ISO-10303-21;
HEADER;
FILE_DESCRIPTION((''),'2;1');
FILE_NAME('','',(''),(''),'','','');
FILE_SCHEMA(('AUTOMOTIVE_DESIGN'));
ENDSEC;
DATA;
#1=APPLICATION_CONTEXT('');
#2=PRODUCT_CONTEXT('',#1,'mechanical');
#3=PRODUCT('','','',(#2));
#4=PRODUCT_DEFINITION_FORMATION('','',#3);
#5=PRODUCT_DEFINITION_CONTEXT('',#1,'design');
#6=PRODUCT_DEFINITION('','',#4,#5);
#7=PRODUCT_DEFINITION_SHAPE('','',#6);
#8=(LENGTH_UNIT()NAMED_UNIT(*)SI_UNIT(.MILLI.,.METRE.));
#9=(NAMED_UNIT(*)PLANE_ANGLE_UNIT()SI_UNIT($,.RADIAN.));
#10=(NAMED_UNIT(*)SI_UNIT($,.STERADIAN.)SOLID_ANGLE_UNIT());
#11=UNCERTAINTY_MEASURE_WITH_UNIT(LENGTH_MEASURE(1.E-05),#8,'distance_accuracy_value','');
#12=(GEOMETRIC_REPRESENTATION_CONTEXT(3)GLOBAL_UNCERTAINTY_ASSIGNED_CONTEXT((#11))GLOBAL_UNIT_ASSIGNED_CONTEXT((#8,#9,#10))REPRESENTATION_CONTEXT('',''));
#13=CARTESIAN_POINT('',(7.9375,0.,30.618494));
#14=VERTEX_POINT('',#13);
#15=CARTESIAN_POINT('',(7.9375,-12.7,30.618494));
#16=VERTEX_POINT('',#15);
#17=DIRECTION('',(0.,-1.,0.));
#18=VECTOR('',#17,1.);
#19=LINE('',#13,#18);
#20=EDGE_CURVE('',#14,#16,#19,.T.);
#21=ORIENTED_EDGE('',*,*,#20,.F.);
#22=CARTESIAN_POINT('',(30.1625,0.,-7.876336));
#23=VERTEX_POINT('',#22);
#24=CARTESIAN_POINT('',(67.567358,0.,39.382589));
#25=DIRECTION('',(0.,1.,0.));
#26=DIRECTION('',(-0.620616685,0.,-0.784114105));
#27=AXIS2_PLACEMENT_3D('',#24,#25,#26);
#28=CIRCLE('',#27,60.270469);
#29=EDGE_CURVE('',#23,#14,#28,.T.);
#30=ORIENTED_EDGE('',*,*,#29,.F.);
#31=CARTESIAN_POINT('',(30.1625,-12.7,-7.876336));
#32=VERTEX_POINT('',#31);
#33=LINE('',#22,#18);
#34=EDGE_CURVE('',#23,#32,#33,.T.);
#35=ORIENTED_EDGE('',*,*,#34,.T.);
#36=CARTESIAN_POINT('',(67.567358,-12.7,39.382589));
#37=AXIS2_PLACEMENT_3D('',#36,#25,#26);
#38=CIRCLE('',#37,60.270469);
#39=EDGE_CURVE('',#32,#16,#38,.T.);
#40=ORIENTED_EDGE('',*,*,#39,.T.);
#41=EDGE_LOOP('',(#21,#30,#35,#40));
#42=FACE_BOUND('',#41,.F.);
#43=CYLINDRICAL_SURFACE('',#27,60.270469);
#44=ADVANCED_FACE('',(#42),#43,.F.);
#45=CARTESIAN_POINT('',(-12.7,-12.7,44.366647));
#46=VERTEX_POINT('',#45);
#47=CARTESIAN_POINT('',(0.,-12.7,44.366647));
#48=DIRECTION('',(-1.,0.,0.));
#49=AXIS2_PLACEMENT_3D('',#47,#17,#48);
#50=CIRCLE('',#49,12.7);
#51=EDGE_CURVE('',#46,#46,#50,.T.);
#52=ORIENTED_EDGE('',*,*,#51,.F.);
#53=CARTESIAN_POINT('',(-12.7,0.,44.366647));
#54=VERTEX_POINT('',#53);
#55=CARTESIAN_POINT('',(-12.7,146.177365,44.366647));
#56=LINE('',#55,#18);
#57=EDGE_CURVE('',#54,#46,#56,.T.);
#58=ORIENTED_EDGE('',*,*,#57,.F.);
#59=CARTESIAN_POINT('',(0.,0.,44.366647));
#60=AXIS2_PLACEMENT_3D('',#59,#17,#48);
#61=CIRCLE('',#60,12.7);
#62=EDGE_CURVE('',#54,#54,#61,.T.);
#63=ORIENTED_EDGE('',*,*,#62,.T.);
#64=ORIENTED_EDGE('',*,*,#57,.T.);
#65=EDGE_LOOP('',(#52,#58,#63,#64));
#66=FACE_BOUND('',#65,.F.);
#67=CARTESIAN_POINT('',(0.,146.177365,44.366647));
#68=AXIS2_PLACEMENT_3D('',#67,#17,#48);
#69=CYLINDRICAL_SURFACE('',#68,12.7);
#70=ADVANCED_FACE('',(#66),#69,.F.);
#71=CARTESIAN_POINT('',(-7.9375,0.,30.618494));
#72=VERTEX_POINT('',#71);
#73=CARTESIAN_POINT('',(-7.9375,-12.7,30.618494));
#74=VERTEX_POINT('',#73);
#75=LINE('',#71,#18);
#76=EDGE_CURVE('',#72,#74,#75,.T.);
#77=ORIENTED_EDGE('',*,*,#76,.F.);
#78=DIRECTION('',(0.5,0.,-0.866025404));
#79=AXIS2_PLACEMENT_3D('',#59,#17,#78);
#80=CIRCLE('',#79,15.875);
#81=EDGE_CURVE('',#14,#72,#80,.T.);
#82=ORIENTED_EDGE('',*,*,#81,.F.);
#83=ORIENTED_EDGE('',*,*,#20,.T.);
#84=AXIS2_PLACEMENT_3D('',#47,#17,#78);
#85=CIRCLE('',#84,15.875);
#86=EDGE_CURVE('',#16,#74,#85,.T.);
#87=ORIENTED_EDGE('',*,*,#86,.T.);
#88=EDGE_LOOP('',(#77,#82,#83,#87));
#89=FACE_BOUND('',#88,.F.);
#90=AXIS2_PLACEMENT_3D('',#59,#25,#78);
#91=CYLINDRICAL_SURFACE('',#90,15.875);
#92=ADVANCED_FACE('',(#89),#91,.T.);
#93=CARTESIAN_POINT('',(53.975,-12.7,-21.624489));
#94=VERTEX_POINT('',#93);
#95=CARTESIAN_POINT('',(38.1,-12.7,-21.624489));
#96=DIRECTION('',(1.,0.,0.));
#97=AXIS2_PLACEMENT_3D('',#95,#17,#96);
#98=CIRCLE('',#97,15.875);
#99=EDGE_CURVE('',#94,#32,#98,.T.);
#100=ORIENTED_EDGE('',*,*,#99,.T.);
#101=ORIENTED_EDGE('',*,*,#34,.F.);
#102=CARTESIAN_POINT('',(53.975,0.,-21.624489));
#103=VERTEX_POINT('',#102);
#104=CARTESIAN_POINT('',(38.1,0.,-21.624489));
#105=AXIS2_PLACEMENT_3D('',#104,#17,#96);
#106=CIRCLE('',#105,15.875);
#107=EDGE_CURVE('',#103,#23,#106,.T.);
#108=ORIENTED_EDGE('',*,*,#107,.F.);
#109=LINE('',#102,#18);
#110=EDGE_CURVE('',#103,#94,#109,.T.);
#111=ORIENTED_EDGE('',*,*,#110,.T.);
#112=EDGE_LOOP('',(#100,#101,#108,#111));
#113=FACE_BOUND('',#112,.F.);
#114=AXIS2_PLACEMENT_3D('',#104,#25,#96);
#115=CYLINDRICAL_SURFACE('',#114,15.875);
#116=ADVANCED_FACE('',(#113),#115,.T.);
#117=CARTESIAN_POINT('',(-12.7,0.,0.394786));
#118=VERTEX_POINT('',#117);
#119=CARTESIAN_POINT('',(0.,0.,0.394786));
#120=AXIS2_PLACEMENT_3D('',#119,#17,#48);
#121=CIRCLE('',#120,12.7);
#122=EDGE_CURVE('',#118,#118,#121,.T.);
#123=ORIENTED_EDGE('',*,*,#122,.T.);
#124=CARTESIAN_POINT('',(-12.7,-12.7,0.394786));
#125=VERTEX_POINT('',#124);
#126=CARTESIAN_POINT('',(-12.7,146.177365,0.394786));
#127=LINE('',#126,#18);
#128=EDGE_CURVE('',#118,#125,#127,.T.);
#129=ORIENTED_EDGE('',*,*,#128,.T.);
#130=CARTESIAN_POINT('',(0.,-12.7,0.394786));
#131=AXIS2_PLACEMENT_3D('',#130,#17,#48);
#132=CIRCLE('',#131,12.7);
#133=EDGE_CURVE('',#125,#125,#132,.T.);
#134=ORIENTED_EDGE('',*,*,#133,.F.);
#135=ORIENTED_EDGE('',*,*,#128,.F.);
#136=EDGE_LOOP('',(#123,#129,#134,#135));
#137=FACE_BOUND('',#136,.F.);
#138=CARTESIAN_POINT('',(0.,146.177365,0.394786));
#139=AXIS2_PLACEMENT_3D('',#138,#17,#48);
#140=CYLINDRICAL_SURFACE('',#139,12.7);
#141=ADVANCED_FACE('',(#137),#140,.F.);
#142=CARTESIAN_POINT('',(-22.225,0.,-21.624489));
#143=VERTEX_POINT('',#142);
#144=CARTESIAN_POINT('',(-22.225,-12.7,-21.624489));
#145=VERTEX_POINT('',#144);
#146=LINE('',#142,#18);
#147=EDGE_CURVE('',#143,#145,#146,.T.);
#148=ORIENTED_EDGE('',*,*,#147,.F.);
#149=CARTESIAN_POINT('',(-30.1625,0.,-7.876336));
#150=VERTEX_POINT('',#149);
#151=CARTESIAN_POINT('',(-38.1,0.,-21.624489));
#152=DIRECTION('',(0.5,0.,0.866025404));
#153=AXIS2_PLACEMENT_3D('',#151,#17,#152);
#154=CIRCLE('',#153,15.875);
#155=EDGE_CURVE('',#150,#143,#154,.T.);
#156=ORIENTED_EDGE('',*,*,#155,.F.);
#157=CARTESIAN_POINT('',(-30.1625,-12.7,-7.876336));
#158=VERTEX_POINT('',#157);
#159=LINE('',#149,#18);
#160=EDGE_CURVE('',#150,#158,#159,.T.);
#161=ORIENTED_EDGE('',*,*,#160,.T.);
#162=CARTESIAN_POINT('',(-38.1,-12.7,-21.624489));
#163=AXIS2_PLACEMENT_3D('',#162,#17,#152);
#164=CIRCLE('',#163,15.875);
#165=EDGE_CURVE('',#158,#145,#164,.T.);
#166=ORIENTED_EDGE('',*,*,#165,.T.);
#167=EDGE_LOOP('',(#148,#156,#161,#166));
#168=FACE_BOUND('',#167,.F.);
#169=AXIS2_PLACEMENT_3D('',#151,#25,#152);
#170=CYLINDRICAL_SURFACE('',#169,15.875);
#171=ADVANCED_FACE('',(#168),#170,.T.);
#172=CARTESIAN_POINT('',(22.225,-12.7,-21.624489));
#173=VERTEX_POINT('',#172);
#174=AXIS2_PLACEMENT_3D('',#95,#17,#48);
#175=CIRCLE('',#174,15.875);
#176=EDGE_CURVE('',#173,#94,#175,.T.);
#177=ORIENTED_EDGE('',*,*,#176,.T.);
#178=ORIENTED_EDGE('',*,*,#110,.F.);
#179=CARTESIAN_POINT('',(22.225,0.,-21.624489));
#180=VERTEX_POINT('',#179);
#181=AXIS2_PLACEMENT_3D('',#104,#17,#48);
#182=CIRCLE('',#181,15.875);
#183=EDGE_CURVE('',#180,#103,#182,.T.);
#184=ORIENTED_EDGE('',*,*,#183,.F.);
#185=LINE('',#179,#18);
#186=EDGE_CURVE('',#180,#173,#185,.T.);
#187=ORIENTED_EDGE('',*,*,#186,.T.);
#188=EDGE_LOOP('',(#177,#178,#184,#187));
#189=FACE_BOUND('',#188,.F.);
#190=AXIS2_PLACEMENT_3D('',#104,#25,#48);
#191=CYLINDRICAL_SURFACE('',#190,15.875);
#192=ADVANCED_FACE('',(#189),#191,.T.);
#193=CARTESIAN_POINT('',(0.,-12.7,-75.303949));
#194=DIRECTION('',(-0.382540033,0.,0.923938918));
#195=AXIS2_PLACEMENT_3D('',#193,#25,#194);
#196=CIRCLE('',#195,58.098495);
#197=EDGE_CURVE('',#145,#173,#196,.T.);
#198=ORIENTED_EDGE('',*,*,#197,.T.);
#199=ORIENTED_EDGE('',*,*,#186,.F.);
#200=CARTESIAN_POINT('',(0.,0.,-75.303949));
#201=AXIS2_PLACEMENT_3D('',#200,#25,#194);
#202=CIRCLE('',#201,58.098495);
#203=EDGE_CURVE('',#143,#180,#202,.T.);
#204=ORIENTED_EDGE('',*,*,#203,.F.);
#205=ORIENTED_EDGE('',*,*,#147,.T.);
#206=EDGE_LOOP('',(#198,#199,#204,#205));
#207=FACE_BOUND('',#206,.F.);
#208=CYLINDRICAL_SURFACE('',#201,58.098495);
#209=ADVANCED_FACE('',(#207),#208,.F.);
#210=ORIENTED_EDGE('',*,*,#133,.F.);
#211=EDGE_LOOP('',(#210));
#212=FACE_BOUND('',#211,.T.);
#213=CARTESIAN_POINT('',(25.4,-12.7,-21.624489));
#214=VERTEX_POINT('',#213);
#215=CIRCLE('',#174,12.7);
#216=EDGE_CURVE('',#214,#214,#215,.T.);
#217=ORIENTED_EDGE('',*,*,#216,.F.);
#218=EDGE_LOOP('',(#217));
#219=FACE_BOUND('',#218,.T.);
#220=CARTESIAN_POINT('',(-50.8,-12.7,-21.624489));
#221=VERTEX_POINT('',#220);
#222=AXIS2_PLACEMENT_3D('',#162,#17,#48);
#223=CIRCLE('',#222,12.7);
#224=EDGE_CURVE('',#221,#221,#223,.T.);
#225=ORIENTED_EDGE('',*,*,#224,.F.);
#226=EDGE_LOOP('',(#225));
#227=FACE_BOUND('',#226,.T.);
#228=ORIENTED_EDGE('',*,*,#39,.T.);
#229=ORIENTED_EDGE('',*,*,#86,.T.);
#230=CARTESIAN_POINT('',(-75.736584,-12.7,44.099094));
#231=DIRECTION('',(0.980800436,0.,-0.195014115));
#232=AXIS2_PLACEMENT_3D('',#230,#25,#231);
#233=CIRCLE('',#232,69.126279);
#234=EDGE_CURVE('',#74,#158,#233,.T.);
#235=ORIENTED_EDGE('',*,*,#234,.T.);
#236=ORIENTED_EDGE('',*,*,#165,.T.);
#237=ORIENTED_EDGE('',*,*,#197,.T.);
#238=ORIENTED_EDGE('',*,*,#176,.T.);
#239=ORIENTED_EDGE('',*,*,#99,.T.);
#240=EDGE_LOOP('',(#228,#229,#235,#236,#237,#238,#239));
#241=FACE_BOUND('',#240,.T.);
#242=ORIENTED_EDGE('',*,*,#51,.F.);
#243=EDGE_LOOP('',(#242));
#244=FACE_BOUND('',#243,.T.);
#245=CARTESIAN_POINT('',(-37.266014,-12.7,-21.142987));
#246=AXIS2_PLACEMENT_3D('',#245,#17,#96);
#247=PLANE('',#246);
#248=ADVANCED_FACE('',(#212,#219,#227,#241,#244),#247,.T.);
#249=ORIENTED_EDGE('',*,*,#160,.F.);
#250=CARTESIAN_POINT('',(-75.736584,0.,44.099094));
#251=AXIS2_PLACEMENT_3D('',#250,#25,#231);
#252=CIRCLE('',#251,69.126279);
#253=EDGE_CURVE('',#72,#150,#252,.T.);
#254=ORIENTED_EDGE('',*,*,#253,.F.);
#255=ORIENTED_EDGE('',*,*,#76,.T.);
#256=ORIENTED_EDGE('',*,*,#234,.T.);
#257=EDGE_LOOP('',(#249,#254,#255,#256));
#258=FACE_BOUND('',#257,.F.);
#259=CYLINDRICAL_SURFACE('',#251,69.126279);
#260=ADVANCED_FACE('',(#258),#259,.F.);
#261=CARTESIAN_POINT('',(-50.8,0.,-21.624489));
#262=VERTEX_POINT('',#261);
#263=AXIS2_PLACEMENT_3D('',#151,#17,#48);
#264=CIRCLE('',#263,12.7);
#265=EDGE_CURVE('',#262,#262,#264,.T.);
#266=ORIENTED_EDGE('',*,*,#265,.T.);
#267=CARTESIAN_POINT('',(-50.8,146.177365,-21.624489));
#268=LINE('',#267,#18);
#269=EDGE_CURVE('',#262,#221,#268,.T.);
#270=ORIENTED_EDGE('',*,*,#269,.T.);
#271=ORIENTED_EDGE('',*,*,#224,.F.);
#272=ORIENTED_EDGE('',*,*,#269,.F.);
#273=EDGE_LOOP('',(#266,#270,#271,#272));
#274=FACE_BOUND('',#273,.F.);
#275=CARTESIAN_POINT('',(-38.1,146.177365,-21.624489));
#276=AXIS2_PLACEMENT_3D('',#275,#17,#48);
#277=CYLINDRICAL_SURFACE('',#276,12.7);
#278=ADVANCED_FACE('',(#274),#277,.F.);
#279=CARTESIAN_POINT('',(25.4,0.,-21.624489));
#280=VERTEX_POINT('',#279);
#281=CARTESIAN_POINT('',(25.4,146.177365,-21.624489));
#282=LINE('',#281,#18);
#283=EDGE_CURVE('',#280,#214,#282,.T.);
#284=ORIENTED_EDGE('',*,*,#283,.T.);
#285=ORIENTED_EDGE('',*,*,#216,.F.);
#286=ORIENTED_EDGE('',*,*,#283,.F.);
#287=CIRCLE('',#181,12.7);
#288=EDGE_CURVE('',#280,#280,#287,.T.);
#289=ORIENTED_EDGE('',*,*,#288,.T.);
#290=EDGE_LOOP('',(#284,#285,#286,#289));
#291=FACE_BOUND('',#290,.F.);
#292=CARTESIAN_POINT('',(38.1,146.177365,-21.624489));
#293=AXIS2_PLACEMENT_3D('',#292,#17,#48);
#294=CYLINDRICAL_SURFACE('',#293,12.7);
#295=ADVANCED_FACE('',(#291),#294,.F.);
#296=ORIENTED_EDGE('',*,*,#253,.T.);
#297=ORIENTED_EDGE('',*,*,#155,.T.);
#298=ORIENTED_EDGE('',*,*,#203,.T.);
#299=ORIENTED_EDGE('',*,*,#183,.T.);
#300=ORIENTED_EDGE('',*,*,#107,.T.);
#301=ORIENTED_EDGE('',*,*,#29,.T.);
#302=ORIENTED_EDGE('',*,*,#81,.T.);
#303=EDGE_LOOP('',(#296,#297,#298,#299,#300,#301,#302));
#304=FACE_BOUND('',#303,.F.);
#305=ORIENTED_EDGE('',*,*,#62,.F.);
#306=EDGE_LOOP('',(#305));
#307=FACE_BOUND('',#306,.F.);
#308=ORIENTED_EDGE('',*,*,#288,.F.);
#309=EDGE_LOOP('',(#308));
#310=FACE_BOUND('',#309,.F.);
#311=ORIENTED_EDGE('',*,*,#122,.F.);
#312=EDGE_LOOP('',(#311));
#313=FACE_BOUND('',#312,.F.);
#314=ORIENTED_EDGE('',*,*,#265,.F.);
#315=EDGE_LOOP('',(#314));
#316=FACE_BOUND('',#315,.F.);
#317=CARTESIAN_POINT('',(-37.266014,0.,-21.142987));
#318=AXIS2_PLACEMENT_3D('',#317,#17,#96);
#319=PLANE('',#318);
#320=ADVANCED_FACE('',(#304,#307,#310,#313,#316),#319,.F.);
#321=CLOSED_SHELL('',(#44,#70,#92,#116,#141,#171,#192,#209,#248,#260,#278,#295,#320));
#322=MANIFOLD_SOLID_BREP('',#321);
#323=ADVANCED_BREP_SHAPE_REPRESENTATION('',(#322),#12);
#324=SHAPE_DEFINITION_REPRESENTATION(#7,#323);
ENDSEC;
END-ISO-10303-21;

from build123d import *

# Parameters (mm, degrees)
F0_R     = 15.7260613119
F1_DEPTH = 12.7
F2_D     = 25.4


with BuildPart() as f1:
    # F0 (on Front) → F1 (new body)
    with BuildSketch(Plane.XZ):
        with BuildLine():
            ThreePointArc((-22.225, -21.624488881), (-24.3518467149, -13.686988881), (-30.1625, -7.8763355959))
            ThreePointArc((-30.1625, -7.8763355959), (-51.8481532851, -29.561988881), (-22.225, -21.624488881))
        make_face()
        with BuildLine():
            ThreePointArc((7.9375, 30.6184936023), (0, 28.4916468874), (-7.9375, 30.6184936023))
            ThreePointArc((-7.9375, 30.6184936023), (-15.8714708467, 9.5359543409), (-30.1625, -7.8763355959))
            ThreePointArc((-30.1625, -7.8763355959), (-24.3518467149, -13.686988881), (-22.225, -21.624488881))
            ThreePointArc((-22.225, -21.624488881), (0, -17.2054544996), (22.225, -21.624488881))
            ThreePointArc((22.225, -21.624488881), (24.3518467149, -13.686988881), (30.1625, -7.8763355959))
            ThreePointArc((30.1625, -7.8763355959), (15.3716015359, 9.2473546597), (7.9375, 30.6184936023))
        make_face()
        with Locations((0, 0.3947862569)):
            Circle(F0_R, mode=Mode.SUBTRACT)
        with BuildLine():
            ThreePointArc((53.975, -21.624488881), (46.0375, -7.8763355959), (30.1625, -7.8763355959))
            ThreePointArc((30.1625, -7.8763355959), (24.3518467149, -13.686988881), (22.225, -21.624488881))
            ThreePointArc((22.225, -21.624488881), (38.1, -37.499488881), (53.975, -21.624488881))
        make_face()
        with Locations((0, 0.3947862569)):
            Circle(F0_R)
        with BuildLine():
            ThreePointArc((7.9375, 30.6184936023), (13.7481532851, 36.4291468874), (15.875, 44.3666468874))
            ThreePointArc((15.875, 44.3666468874), (-7.9375, 58.1148001724), (-7.9375, 30.6184936023))
            ThreePointArc((-7.9375, 30.6184936023), (0, 28.4916468874), (7.9375, 30.6184936023))
        make_face()
    extrude(amount=F1_DEPTH)

    # F2 (through all)
    with Locations(Plane(origin=(0, 0, 0), x_dir=(1, 0, 0), z_dir=(0, 1, 0))):
        with Locations((-38.1, 21.624488881), (38.1, 21.624488881), (0, -44.3666468874), (0, -0.3947862569)):
            Hole(F2_D / 2)


solid = f1.part
